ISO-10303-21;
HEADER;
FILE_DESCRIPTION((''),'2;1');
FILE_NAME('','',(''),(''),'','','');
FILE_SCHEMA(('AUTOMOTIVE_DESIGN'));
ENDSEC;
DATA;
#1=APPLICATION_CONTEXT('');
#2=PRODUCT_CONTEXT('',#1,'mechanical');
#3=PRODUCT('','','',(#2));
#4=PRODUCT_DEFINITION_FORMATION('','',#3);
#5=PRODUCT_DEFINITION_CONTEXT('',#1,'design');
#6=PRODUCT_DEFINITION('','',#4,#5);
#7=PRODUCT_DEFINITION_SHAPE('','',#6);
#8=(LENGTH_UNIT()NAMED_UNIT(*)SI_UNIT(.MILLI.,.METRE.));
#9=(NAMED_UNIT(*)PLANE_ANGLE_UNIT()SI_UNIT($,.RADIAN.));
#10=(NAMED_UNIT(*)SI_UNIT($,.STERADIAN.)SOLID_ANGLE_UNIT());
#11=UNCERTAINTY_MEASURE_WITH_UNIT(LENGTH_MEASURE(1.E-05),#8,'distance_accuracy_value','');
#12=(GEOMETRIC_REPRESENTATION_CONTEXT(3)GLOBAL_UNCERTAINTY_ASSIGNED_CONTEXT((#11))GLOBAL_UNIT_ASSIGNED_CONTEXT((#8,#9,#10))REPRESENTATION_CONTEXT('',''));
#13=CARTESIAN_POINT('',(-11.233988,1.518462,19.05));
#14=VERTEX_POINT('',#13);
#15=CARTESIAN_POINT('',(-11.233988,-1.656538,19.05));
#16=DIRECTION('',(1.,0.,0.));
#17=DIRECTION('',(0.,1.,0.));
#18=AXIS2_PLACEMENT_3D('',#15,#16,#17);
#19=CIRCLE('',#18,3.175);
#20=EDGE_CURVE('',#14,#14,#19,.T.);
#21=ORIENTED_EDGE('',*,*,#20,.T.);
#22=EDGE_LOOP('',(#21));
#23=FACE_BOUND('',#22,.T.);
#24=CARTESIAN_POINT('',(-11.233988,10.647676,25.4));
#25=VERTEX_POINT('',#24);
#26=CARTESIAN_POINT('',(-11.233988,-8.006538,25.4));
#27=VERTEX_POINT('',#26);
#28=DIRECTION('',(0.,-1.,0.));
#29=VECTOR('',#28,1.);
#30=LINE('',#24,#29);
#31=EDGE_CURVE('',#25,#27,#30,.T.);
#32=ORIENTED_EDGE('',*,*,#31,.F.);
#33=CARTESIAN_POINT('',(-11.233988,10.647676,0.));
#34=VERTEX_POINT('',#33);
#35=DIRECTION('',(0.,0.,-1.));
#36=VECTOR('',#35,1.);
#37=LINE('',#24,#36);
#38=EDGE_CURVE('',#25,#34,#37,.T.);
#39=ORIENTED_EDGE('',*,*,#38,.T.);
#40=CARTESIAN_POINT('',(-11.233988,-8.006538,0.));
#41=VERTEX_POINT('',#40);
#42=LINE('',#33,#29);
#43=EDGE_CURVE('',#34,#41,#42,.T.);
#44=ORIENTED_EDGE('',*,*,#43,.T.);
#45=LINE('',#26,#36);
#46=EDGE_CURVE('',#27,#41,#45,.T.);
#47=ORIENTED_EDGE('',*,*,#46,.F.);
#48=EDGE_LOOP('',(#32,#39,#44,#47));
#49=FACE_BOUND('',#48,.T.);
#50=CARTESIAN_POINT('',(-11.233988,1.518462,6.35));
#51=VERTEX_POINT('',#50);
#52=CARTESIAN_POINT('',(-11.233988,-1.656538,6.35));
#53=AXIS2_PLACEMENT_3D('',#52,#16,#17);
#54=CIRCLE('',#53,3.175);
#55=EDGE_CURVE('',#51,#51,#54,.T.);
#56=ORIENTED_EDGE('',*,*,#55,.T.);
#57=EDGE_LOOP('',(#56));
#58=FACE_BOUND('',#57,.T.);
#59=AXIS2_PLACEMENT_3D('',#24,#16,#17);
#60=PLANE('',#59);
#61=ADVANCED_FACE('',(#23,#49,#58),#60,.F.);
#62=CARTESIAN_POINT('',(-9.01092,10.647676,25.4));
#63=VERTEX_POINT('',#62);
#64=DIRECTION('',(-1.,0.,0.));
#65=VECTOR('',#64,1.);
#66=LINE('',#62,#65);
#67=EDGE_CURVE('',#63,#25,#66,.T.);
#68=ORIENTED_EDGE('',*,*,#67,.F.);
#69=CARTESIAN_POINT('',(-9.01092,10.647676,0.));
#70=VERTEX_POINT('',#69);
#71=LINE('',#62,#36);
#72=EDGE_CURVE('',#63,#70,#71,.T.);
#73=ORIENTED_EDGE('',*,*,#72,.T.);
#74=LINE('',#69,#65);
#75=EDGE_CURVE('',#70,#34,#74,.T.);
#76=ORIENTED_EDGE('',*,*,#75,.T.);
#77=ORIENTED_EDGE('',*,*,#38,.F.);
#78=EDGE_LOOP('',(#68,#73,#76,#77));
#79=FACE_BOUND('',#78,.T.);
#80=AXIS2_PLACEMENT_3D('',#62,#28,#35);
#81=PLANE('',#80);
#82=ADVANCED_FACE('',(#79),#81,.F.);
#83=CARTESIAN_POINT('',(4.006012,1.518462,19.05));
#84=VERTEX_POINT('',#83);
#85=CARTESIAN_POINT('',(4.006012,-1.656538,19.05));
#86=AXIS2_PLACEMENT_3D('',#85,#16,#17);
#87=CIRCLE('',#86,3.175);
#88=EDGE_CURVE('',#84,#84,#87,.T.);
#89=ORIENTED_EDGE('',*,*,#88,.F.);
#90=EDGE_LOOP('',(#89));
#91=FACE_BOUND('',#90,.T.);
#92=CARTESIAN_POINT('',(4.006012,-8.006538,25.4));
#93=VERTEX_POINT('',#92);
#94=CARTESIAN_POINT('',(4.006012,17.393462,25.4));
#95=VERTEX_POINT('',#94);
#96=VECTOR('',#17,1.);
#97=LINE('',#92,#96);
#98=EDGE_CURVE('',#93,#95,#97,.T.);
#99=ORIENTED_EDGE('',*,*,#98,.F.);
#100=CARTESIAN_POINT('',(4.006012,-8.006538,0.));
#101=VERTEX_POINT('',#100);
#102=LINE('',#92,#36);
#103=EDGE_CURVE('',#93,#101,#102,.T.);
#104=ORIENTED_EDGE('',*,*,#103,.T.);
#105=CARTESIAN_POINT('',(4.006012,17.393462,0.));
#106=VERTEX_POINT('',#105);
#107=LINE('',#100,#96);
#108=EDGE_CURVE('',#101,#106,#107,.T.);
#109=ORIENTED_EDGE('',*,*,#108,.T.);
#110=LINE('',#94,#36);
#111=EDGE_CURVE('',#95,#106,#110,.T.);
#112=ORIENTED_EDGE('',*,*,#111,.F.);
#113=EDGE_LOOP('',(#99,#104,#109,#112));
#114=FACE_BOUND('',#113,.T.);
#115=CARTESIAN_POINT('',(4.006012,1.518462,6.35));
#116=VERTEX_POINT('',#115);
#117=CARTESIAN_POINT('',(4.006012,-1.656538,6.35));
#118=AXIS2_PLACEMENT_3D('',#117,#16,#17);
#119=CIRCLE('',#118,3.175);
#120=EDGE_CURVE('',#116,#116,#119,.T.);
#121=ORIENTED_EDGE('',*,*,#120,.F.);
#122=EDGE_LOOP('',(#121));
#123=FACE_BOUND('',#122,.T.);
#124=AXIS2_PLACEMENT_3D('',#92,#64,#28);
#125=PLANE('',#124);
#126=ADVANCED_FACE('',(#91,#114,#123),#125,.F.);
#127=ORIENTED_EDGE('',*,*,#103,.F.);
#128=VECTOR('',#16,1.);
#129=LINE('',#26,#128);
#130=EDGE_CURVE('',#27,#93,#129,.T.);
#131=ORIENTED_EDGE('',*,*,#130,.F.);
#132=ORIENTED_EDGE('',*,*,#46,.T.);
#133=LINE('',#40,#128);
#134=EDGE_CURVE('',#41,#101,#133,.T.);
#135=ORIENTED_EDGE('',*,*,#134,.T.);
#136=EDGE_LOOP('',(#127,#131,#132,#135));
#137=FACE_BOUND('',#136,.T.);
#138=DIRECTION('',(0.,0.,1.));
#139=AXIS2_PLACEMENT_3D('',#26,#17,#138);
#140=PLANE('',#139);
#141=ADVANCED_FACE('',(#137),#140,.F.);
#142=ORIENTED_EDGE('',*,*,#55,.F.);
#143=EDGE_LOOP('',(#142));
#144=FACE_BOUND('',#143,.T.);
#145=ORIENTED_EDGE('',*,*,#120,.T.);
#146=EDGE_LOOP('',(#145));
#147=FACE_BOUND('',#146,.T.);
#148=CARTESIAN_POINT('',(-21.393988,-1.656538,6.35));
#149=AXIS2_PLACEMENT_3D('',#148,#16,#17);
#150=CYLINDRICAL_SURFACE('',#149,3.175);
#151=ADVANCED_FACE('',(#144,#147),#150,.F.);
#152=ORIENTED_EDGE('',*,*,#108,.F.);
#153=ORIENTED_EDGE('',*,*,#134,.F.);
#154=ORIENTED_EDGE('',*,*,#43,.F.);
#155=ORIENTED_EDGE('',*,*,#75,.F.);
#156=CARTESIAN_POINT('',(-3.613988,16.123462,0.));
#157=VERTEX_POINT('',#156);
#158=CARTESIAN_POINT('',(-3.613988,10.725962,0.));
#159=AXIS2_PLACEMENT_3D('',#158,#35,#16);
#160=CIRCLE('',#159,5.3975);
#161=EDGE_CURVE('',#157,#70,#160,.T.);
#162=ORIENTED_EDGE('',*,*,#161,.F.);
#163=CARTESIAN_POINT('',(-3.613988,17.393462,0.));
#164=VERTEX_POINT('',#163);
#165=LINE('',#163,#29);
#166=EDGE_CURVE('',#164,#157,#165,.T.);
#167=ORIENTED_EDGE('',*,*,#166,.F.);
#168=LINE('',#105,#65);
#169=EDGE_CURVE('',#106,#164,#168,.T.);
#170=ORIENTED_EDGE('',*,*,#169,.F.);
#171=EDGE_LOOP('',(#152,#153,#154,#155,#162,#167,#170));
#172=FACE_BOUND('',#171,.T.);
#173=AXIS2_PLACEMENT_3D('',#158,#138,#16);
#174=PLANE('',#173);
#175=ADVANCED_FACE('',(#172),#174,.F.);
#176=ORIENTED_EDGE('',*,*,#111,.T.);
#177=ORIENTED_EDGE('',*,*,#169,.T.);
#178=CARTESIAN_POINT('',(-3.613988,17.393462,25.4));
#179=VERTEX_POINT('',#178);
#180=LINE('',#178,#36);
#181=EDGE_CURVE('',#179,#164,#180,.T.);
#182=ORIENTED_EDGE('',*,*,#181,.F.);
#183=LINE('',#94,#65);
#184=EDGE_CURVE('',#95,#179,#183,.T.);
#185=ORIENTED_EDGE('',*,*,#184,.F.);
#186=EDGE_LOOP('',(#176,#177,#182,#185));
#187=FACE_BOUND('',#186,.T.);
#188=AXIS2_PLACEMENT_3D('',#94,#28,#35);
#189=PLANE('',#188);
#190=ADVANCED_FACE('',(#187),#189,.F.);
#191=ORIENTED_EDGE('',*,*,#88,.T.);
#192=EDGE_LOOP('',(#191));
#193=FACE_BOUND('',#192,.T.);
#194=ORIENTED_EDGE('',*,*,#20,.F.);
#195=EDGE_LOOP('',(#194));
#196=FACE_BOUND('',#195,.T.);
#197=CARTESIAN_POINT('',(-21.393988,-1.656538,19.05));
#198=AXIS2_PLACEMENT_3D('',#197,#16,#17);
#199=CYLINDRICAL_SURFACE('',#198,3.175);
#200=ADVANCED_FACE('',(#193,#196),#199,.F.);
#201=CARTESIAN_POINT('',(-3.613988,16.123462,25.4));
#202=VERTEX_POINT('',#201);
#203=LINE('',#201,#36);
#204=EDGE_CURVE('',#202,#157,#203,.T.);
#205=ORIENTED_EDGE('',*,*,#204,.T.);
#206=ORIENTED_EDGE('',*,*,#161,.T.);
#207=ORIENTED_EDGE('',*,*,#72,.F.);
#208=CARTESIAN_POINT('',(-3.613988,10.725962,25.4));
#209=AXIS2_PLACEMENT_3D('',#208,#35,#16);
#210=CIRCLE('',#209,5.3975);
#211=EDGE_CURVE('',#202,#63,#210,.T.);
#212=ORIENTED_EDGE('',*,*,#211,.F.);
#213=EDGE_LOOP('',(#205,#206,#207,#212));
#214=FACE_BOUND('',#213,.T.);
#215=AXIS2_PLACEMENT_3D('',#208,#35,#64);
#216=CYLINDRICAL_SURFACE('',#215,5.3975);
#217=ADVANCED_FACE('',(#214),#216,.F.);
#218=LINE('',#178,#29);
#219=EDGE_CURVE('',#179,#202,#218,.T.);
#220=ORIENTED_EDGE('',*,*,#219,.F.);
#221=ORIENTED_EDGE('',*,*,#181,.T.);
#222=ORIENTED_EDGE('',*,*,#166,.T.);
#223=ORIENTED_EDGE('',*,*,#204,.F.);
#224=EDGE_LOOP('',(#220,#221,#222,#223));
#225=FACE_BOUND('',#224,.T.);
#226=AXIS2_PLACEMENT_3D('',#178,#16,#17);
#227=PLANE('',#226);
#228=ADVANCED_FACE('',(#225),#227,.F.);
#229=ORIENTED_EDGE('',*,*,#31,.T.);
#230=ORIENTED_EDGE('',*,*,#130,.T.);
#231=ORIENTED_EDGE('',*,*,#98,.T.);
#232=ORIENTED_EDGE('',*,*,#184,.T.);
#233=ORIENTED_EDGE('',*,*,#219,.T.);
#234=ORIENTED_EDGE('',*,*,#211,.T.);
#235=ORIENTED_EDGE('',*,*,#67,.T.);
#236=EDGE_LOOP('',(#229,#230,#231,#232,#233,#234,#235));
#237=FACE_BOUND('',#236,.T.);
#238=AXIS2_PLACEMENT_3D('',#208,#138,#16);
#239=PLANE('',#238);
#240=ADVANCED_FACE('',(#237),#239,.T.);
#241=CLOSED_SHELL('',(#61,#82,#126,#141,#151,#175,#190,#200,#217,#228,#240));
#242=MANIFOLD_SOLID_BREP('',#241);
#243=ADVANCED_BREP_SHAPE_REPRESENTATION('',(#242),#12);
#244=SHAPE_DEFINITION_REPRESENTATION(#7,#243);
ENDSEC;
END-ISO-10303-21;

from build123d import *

# Parameters (mm, degrees)
BOSS_EXTRUDE1_DEPTH = 25.4
SKETCH2_R           = 3.175
CUT_EXTRUDE1_DEPTH  = 25.4


with BuildPart() as part:
    # Sketch1 → Boss-Extrude1 (new body)
    with BuildSketch(Plane.XY):
        with BuildLine():
            Line((-9.010920048, 10.647675717), (-11.233987821, 10.647675717))
            Line((-11.233987821, 10.647675717), (-11.233987821, -8.006537715))
            Line((-11.233987821, -8.006537715), (4.006012179, -8.006537715))
            Line((4.006012179, -8.006537715), (4.006012179, 17.393462285))
            Line((4.006012179, 17.393462285), (-3.613987821, 17.393462285))
            Line((-3.613987821, 17.393462285), (-3.613987821, 16.123462285))
            ThreePointArc((-3.613987821, 16.123462285), (0.23019987, 6.937133014), (-9.010920048, 10.647675717))
        make_face()
    extrude(amount=BOSS_EXTRUDE1_DEPTH)

    # Sketch2 → Cut-Extrude1 (cut)
    with BuildSketch(Plane(origin=(4.006012179, 0, 0), x_dir=(0, 0, -1), z_dir=(1, 0, 0))):
        with Locations(Location((-19.05, -1.656537715, 0), (0, 0, 90))):
            Circle(SKETCH2_R)
        with Locations(Location((-6.35, -1.656537715, 0), (0, 0, 90))):
            Circle(SKETCH2_R)
    extrude(amount=-CUT_EXTRUDE1_DEPTH, mode=Mode.SUBTRACT)


solid = part.part
